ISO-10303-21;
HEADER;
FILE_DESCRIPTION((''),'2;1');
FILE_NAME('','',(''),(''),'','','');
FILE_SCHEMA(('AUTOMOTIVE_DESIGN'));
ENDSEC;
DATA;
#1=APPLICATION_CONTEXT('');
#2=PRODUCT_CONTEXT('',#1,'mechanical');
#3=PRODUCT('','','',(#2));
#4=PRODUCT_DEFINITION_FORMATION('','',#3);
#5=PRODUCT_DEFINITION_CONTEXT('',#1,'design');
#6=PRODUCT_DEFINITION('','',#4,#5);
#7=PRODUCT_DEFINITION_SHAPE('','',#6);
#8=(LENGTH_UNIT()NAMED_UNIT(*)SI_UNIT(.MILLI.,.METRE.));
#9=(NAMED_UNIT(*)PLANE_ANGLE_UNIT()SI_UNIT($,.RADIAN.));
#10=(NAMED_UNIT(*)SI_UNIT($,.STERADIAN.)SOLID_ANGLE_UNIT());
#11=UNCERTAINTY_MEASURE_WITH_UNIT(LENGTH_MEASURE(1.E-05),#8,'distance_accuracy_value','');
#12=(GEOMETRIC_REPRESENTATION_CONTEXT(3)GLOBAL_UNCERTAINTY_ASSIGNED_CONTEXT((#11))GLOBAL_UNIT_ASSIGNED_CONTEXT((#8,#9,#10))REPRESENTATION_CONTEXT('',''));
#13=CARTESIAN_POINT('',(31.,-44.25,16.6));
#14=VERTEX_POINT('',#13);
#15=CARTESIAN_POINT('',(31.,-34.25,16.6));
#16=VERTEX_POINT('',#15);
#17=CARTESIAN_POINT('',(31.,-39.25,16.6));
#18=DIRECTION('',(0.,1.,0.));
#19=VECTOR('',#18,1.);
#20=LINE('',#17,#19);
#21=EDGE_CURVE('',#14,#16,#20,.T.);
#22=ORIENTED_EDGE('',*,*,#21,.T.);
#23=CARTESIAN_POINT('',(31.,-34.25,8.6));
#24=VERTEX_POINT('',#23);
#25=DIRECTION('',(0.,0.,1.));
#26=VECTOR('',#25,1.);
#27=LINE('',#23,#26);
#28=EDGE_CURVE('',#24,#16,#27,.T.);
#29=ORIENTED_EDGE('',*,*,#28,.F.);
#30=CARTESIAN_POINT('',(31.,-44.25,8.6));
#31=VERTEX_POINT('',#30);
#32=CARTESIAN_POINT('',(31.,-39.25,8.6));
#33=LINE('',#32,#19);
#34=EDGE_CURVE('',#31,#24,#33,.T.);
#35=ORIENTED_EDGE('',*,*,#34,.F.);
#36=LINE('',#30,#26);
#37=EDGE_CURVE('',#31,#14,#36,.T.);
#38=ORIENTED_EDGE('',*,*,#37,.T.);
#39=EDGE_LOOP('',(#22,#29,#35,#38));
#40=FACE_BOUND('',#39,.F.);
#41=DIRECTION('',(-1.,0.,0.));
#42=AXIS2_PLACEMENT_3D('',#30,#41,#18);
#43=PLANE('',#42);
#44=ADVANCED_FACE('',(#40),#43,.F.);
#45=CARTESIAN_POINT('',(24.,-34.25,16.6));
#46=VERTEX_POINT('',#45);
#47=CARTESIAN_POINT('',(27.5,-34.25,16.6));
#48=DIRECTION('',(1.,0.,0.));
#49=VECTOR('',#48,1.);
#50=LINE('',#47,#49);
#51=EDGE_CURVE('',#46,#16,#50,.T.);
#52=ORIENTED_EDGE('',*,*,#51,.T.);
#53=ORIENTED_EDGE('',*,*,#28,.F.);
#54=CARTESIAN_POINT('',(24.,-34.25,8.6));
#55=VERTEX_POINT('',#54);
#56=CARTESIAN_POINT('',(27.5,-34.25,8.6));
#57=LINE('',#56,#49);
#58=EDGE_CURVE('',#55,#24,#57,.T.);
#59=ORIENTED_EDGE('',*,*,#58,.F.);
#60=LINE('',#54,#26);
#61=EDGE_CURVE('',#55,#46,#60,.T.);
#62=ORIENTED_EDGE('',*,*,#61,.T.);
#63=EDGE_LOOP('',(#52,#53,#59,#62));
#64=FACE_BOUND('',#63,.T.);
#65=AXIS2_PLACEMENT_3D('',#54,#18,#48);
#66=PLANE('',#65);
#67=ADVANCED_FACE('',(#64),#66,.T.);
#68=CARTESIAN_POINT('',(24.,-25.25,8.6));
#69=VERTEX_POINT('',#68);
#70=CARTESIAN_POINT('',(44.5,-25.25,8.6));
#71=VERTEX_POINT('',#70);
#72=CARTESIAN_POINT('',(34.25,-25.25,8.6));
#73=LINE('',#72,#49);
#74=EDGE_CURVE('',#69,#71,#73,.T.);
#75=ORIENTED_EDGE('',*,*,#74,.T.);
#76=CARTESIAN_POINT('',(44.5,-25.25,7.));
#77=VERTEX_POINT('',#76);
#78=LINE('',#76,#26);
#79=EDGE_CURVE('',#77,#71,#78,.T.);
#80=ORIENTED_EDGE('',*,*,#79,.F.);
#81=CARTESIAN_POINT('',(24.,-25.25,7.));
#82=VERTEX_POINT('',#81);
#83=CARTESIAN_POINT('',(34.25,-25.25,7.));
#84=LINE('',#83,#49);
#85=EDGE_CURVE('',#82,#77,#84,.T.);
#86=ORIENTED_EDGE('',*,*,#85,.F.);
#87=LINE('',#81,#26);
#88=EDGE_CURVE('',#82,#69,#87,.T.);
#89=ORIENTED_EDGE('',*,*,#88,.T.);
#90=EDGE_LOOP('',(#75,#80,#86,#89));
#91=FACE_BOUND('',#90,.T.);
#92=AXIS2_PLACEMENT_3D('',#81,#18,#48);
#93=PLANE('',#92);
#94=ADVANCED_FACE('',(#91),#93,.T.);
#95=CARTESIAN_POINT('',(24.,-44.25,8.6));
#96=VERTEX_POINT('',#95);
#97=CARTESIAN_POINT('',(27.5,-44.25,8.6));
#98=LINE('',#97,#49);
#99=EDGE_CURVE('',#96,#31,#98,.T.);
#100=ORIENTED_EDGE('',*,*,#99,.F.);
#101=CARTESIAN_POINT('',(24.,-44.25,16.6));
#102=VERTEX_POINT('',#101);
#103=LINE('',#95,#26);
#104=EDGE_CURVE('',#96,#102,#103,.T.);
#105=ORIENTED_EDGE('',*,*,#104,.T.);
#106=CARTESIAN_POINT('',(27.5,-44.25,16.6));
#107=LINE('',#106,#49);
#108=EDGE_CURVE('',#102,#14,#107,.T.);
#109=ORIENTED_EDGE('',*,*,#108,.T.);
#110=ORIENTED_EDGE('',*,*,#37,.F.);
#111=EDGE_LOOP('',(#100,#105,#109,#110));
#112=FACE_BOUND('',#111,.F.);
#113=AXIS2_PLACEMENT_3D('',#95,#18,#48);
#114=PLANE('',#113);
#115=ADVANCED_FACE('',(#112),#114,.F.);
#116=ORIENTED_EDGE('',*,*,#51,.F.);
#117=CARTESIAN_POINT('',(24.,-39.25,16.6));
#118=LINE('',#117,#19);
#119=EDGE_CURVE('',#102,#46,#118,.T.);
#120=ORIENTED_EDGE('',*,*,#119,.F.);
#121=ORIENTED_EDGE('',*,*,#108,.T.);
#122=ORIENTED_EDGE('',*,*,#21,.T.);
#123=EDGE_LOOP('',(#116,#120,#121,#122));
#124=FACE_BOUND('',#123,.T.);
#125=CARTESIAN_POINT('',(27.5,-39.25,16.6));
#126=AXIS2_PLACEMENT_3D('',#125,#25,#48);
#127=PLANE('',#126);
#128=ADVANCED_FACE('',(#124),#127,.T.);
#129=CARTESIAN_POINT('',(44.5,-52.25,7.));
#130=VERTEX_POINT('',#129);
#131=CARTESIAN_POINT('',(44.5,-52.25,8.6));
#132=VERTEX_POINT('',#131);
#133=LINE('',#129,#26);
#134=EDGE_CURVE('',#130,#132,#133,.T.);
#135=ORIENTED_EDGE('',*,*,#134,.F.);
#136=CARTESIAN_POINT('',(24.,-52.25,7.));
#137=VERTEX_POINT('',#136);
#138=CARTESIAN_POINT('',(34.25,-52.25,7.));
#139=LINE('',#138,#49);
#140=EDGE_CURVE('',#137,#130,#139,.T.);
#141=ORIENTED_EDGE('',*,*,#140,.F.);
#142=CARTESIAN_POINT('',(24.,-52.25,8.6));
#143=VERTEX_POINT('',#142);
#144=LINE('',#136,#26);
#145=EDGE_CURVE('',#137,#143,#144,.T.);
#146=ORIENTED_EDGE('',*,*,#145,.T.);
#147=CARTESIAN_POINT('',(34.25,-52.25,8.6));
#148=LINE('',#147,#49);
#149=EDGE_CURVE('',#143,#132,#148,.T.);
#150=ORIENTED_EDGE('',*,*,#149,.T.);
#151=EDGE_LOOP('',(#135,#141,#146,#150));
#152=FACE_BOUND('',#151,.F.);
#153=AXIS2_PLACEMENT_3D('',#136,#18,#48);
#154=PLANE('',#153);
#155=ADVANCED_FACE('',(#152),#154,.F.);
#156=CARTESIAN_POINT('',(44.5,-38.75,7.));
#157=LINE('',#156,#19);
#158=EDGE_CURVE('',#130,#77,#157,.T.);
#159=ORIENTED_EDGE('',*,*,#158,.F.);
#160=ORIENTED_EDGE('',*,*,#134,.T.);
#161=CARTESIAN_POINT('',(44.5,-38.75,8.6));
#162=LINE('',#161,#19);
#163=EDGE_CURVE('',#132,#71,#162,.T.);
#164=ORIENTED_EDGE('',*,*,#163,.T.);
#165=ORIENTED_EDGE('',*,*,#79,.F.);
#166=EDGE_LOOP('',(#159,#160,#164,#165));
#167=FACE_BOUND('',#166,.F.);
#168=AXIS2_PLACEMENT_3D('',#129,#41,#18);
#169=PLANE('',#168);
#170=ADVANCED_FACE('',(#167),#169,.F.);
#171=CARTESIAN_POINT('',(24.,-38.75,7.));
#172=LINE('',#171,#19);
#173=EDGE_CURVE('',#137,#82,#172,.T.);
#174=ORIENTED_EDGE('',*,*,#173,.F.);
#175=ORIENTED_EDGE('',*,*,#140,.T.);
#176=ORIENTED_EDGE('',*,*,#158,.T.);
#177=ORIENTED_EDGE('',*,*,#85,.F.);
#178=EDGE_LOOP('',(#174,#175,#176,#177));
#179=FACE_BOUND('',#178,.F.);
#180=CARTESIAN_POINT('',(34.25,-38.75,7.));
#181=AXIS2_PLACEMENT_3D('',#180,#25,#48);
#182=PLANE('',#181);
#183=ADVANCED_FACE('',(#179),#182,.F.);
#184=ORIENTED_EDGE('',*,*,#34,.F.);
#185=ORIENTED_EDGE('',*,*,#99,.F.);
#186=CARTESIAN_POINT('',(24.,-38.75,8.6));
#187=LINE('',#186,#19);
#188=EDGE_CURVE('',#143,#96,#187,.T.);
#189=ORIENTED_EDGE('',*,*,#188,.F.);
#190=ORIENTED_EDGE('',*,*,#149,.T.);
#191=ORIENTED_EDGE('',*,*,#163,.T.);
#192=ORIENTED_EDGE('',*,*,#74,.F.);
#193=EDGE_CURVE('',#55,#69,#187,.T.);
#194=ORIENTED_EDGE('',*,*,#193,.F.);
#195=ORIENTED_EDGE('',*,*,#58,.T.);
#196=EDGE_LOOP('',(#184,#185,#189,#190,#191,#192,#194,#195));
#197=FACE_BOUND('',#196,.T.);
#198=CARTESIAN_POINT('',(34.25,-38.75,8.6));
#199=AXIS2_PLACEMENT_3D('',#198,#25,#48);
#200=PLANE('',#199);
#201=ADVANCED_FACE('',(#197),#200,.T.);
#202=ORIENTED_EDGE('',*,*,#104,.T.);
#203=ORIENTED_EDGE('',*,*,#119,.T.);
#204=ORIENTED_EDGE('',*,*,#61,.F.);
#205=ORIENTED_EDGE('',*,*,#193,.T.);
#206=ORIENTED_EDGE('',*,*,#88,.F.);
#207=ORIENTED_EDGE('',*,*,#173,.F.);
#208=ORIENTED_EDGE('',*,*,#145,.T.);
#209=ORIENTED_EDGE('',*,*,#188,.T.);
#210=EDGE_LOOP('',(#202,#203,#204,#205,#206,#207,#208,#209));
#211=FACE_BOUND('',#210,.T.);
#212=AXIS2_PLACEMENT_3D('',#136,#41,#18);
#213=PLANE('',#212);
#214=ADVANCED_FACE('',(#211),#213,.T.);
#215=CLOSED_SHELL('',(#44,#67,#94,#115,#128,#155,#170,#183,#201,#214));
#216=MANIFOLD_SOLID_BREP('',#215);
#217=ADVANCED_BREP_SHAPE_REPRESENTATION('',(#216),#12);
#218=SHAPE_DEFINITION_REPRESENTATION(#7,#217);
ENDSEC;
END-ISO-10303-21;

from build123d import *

# Parameters (mm, degrees)
BOX004_W     = 7
BOX004_H     = 10
BOX004_DEPTH = 8
BOX003_W     = 20.5
BOX003_H     = 27
BOX003_DEPTH = 1.6


with BuildPart() as cube004:
    # Box004 → Box004 (new body)
    with BuildSketch(Plane(origin=(0, 8, 1.6), x_dir=(1, 0, 0), z_dir=(0, 0, 1))):
        with Locations((3.5, 5)):
            Rectangle(BOX004_W, BOX004_H)
    extrude(amount=BOX004_DEPTH)


with BuildPart() as imu_pcb001:
    # Box003 → Box003 (new body)
    with BuildSketch(Plane.XY):
        with Locations((10.25, 13.5)):
            Rectangle(BOX003_W, BOX003_H)
    extrude(amount=BOX003_DEPTH)

    # Fusion001: union Cube004
    add(cube004.part)


with BuildPart() as imu_pcb001_1:
    # Fusion001 placement: moved
    add(imu_pcb001.part.moved(Location((24, -52.25, 7))))


solid = imu_pcb001_1.part
